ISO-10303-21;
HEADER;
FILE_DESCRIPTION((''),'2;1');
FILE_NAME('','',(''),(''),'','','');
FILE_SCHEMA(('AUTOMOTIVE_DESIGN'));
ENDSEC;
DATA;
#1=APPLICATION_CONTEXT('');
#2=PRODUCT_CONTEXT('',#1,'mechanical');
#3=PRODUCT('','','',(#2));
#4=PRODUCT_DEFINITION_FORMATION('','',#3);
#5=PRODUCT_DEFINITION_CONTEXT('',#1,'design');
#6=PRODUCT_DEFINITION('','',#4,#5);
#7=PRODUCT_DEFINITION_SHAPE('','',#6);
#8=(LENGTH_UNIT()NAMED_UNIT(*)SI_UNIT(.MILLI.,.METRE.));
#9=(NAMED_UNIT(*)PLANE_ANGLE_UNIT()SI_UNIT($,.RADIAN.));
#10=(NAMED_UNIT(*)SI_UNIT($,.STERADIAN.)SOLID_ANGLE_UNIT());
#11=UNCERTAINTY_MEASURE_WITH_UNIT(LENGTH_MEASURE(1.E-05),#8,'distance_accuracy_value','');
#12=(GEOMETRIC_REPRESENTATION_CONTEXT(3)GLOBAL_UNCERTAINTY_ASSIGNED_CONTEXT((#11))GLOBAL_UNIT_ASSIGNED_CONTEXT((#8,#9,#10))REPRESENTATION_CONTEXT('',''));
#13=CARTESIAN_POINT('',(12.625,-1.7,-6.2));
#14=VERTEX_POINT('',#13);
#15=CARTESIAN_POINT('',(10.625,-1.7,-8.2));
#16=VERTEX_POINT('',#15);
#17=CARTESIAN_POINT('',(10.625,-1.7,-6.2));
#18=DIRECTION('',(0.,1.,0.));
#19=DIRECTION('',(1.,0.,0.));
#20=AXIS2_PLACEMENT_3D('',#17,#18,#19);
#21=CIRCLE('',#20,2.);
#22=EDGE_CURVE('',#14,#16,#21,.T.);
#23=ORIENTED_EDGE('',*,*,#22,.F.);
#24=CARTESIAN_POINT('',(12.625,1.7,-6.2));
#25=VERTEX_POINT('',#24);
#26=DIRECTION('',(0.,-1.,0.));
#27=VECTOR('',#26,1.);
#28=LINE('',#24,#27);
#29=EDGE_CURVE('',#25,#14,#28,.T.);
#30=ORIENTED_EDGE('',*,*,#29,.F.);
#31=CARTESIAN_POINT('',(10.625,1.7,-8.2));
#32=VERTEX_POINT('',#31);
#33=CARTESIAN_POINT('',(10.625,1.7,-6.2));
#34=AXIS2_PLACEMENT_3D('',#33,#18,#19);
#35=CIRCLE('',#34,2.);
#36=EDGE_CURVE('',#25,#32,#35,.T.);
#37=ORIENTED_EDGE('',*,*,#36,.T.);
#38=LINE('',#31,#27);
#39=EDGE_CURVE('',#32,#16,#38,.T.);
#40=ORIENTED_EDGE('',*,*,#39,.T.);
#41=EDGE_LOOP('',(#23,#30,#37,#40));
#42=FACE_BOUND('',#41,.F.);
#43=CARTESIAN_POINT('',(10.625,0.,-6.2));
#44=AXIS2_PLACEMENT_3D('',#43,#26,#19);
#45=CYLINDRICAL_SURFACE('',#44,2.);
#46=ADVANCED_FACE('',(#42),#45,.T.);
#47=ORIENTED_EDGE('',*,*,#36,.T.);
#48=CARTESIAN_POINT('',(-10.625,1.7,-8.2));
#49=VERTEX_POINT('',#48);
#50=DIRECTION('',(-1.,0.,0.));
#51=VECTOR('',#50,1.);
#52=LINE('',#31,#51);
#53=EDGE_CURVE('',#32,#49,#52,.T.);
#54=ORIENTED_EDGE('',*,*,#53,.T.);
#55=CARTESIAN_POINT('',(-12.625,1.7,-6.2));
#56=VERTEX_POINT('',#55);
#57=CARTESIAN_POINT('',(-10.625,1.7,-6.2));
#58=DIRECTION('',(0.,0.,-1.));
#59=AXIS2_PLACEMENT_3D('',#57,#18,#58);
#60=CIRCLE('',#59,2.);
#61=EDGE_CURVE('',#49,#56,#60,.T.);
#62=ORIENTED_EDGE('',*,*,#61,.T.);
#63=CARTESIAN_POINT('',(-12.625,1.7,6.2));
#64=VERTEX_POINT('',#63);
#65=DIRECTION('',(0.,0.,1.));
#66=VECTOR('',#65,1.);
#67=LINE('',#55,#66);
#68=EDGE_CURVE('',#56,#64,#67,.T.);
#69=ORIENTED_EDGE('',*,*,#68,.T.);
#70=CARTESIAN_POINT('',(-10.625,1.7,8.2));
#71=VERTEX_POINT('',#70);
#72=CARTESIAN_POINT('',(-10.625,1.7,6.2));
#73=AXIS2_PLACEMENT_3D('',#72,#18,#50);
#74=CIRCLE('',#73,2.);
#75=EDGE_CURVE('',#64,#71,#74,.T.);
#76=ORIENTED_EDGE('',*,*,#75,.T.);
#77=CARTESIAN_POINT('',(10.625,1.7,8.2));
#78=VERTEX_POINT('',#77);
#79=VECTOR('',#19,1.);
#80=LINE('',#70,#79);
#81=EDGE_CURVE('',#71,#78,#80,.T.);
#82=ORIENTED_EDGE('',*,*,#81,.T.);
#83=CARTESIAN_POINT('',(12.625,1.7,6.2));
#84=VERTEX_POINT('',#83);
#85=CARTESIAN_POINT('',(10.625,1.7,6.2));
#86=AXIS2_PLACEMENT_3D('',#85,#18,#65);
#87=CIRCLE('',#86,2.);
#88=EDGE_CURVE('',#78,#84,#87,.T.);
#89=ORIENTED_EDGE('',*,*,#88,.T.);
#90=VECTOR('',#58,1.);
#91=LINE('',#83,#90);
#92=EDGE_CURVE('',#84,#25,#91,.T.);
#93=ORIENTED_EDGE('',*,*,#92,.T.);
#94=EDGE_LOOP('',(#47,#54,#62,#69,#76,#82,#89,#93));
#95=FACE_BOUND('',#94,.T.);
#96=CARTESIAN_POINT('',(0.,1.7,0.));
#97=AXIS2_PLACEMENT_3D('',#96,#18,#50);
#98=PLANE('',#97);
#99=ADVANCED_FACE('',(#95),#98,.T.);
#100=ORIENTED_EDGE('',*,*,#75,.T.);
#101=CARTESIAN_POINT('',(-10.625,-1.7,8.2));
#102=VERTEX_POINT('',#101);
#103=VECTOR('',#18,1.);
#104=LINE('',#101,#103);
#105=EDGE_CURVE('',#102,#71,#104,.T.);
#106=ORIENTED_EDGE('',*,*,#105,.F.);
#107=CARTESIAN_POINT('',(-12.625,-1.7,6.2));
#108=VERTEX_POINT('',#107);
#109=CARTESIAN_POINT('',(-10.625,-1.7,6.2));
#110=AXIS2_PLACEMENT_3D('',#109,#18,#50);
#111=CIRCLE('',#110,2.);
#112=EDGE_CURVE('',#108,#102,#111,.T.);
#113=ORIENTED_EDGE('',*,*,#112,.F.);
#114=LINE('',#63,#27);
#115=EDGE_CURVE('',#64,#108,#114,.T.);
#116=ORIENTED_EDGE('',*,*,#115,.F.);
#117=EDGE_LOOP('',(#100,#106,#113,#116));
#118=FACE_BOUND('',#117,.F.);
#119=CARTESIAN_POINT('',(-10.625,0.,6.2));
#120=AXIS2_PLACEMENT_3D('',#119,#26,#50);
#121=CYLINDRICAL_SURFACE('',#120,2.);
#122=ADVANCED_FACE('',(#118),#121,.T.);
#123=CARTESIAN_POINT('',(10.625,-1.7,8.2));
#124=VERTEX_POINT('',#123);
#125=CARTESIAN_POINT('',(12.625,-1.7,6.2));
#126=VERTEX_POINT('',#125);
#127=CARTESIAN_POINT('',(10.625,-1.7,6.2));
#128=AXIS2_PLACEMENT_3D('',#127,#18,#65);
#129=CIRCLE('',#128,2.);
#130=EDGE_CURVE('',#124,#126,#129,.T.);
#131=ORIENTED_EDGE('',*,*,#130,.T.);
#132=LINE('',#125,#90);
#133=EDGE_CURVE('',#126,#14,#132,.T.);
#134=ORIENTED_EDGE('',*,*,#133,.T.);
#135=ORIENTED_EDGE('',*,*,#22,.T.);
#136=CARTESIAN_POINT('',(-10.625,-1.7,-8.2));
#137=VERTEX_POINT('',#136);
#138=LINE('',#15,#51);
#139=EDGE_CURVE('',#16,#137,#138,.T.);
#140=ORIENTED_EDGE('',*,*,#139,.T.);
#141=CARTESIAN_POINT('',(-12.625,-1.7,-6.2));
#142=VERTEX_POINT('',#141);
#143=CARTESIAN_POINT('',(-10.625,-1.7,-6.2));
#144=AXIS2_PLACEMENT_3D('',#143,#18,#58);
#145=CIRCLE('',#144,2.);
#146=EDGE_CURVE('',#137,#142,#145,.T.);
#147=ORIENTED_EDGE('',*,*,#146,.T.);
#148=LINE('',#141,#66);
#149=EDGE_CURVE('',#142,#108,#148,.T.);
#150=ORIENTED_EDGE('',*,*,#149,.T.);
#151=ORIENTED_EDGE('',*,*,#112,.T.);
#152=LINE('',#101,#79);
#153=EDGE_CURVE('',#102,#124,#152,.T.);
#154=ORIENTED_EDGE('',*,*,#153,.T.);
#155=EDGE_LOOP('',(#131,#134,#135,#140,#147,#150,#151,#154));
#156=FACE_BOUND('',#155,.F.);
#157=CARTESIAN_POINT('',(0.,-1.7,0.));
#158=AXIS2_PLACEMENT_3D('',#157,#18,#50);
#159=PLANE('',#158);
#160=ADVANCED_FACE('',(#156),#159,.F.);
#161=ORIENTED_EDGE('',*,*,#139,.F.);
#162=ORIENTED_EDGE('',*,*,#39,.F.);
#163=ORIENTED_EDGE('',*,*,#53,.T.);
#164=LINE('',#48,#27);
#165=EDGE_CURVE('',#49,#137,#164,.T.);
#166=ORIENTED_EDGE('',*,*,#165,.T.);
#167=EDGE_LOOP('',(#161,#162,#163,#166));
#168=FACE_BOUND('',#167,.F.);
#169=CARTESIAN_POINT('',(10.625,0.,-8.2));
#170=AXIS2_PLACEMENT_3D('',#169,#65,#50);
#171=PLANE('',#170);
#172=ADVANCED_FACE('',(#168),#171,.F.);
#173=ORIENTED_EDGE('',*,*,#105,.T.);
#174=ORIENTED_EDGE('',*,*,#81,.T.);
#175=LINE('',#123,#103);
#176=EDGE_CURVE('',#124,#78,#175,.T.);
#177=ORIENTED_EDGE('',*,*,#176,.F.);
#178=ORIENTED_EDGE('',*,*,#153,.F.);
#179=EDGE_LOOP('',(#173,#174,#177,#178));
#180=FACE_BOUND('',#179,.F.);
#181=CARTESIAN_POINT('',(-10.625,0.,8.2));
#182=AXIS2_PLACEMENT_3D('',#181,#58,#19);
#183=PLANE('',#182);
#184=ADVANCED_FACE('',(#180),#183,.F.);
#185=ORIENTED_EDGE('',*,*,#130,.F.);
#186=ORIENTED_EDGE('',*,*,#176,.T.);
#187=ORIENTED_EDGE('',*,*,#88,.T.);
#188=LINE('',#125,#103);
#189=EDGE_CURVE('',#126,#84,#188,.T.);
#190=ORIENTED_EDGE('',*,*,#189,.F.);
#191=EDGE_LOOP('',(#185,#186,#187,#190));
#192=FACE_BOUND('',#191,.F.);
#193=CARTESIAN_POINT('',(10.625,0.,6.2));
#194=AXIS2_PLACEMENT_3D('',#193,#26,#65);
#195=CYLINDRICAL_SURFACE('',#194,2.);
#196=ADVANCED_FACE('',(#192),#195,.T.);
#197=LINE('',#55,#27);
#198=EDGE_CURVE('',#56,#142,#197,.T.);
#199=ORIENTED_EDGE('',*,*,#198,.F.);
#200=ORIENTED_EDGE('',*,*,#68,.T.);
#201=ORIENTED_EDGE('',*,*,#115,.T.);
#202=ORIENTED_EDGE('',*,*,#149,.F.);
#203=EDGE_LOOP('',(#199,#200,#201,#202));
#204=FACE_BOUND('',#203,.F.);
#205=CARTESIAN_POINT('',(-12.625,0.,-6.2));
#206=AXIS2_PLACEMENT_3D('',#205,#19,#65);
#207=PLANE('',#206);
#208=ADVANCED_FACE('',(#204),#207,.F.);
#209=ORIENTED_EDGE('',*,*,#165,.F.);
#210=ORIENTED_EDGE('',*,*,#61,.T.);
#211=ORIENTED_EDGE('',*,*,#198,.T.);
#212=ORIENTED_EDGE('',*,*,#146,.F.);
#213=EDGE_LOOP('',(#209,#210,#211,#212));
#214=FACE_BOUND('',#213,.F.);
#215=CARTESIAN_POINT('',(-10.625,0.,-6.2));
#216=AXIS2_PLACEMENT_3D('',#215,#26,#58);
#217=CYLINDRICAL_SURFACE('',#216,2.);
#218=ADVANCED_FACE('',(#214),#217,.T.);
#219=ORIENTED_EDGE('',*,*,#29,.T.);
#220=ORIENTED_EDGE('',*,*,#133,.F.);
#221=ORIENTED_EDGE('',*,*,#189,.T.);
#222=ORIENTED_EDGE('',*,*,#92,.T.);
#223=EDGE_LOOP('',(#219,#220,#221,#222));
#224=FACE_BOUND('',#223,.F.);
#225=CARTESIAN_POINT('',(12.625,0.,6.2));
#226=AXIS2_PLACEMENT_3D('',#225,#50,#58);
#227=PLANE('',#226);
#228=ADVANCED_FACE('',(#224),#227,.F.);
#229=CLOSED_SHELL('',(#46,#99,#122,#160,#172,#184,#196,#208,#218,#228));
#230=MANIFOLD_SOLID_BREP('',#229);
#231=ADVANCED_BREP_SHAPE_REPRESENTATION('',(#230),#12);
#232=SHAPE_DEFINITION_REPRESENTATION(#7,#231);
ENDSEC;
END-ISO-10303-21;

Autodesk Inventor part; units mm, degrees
ref_plane "YZ Plane" through (0, 0, 0) normal (1, 0, 0) x (0, 1, 0)
ref_plane "XZ Plane" through (0, 0, 0) normal (0, 1, 0) x (-1, 0, 0)
ref_plane "XY Plane" through (0, 0, 0) normal (0, 0, 1) x (1, 0, 0)
sketch "Sketch1" plane through (0, 0, 0) normal (0, 1, 0) x (-1, 0, 0)
  line L0 (10.625, 8.2) -> (-10.625, 8.2)
  line L1 (-12.625, 6.2) -> (-12.625, -6.2)
  line L2 (-10.625, -8.2) -> (10.625, -8.2)
  line L3 (12.625, -6.2) -> (12.625, 6.2)
  line L4 (12.625, 8.2) -> (-12.625, -8.2) construction
  line L5 (-12.625, 8.2) -> (12.625, -8.2) construction
  arc A0 (12.625, 6.2) -> (10.625, 8.2) centre (10.625, 6.2) ccw
  arc A1 (10.625, -8.2) -> (12.625, -6.2) centre (10.625, -6.2) ccw
  arc A2 (-12.625, -6.2) -> (-10.625, -8.2) centre (-10.625, -6.2) ccw
  arc A3 (-10.625, 8.2) -> (-12.625, 6.2) centre (-10.625, 6.2) ccw
  point P0 (0, 0)
  dimension "d0" = 25.25
  dimension "d1" = 16.4
  dimension "d4" = 2
extrude "Extrusion1" add sketch "Sketch1" along normal mid plane 3.4
equation "\"d0\" = NekroWidth"
equation "\"d1\" = NekroLength"
equation "\"NekroWidth\" = 25.25"
equation "\"NekroLength\" = 16.4"
properties part number "FactionSpecial_Nekro_XY" material "Paper"
